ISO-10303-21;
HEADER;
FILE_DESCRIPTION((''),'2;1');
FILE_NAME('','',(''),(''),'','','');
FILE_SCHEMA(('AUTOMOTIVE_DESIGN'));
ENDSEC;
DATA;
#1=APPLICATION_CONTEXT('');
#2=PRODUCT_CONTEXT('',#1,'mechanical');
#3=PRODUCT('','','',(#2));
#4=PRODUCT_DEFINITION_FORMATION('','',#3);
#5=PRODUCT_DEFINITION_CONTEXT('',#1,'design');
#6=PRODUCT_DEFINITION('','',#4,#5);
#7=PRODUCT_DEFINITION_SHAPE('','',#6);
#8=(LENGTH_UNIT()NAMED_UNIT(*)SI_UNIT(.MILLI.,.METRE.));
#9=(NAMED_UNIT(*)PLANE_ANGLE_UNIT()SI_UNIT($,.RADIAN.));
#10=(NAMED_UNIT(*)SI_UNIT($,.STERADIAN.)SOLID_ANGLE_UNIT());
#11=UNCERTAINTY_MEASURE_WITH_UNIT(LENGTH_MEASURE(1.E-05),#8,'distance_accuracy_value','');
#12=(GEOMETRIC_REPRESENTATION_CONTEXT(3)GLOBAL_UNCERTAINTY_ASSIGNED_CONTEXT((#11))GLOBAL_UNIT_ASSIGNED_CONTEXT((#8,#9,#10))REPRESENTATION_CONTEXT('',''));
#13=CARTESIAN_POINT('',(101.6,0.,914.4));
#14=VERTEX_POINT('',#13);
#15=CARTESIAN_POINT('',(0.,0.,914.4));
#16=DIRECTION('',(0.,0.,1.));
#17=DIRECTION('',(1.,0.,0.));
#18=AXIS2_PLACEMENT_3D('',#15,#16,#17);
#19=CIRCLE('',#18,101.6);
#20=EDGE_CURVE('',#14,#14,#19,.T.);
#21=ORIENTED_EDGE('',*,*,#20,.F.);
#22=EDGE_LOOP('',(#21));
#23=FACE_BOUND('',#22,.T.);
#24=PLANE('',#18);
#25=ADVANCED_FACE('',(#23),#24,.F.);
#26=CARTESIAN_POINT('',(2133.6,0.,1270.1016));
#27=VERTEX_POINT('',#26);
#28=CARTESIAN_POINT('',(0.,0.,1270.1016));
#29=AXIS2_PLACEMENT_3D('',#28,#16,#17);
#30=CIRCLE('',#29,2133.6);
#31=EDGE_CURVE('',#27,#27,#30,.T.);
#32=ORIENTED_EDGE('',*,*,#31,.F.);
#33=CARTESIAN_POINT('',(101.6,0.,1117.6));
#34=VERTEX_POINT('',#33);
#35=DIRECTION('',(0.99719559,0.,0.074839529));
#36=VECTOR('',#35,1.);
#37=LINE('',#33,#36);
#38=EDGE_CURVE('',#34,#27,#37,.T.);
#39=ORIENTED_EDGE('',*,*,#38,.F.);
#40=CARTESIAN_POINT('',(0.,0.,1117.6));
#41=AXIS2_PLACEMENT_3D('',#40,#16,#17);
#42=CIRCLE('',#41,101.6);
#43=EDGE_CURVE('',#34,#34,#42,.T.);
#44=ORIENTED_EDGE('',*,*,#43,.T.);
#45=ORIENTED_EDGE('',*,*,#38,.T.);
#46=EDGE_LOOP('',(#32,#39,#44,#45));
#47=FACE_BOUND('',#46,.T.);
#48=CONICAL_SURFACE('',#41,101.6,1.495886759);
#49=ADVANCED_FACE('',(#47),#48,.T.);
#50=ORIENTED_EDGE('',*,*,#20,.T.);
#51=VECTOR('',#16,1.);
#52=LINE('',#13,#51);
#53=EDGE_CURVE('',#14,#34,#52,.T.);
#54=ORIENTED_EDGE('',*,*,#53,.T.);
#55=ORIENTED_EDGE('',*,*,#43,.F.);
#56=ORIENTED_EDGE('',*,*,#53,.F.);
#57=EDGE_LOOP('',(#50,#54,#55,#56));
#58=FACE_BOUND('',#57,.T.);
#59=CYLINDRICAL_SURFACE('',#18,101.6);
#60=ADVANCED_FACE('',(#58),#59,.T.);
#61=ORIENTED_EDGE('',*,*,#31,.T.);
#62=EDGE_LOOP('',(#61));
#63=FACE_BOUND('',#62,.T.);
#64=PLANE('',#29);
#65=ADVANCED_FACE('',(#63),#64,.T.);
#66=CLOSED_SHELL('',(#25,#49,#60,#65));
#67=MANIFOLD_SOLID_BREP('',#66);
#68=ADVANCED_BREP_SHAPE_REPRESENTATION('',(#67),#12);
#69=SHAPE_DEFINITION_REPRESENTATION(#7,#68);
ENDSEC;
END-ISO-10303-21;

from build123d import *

# Parameters (mm, degrees)
F0_W = 101.6
F0_H = 101.6


with BuildPart() as f1:
    # F0 (on Front) → F1 (revolve)
    with BuildSketch(Plane.XZ):
        Polygon((2133.6, 1270.1016), (0, 1270.1016), (0, 1117.6), (101.6, 1117.6), align=None)
        with Locations((50.8, 1066.8)):
            Rectangle(F0_W, F0_H)
        with Locations((50.8, 965.2)):
            Rectangle(F0_W, F0_H)
    revolve(axis=Axis((0, 0, 635.0508), (0, 0, 1)))


solid = f1.part
